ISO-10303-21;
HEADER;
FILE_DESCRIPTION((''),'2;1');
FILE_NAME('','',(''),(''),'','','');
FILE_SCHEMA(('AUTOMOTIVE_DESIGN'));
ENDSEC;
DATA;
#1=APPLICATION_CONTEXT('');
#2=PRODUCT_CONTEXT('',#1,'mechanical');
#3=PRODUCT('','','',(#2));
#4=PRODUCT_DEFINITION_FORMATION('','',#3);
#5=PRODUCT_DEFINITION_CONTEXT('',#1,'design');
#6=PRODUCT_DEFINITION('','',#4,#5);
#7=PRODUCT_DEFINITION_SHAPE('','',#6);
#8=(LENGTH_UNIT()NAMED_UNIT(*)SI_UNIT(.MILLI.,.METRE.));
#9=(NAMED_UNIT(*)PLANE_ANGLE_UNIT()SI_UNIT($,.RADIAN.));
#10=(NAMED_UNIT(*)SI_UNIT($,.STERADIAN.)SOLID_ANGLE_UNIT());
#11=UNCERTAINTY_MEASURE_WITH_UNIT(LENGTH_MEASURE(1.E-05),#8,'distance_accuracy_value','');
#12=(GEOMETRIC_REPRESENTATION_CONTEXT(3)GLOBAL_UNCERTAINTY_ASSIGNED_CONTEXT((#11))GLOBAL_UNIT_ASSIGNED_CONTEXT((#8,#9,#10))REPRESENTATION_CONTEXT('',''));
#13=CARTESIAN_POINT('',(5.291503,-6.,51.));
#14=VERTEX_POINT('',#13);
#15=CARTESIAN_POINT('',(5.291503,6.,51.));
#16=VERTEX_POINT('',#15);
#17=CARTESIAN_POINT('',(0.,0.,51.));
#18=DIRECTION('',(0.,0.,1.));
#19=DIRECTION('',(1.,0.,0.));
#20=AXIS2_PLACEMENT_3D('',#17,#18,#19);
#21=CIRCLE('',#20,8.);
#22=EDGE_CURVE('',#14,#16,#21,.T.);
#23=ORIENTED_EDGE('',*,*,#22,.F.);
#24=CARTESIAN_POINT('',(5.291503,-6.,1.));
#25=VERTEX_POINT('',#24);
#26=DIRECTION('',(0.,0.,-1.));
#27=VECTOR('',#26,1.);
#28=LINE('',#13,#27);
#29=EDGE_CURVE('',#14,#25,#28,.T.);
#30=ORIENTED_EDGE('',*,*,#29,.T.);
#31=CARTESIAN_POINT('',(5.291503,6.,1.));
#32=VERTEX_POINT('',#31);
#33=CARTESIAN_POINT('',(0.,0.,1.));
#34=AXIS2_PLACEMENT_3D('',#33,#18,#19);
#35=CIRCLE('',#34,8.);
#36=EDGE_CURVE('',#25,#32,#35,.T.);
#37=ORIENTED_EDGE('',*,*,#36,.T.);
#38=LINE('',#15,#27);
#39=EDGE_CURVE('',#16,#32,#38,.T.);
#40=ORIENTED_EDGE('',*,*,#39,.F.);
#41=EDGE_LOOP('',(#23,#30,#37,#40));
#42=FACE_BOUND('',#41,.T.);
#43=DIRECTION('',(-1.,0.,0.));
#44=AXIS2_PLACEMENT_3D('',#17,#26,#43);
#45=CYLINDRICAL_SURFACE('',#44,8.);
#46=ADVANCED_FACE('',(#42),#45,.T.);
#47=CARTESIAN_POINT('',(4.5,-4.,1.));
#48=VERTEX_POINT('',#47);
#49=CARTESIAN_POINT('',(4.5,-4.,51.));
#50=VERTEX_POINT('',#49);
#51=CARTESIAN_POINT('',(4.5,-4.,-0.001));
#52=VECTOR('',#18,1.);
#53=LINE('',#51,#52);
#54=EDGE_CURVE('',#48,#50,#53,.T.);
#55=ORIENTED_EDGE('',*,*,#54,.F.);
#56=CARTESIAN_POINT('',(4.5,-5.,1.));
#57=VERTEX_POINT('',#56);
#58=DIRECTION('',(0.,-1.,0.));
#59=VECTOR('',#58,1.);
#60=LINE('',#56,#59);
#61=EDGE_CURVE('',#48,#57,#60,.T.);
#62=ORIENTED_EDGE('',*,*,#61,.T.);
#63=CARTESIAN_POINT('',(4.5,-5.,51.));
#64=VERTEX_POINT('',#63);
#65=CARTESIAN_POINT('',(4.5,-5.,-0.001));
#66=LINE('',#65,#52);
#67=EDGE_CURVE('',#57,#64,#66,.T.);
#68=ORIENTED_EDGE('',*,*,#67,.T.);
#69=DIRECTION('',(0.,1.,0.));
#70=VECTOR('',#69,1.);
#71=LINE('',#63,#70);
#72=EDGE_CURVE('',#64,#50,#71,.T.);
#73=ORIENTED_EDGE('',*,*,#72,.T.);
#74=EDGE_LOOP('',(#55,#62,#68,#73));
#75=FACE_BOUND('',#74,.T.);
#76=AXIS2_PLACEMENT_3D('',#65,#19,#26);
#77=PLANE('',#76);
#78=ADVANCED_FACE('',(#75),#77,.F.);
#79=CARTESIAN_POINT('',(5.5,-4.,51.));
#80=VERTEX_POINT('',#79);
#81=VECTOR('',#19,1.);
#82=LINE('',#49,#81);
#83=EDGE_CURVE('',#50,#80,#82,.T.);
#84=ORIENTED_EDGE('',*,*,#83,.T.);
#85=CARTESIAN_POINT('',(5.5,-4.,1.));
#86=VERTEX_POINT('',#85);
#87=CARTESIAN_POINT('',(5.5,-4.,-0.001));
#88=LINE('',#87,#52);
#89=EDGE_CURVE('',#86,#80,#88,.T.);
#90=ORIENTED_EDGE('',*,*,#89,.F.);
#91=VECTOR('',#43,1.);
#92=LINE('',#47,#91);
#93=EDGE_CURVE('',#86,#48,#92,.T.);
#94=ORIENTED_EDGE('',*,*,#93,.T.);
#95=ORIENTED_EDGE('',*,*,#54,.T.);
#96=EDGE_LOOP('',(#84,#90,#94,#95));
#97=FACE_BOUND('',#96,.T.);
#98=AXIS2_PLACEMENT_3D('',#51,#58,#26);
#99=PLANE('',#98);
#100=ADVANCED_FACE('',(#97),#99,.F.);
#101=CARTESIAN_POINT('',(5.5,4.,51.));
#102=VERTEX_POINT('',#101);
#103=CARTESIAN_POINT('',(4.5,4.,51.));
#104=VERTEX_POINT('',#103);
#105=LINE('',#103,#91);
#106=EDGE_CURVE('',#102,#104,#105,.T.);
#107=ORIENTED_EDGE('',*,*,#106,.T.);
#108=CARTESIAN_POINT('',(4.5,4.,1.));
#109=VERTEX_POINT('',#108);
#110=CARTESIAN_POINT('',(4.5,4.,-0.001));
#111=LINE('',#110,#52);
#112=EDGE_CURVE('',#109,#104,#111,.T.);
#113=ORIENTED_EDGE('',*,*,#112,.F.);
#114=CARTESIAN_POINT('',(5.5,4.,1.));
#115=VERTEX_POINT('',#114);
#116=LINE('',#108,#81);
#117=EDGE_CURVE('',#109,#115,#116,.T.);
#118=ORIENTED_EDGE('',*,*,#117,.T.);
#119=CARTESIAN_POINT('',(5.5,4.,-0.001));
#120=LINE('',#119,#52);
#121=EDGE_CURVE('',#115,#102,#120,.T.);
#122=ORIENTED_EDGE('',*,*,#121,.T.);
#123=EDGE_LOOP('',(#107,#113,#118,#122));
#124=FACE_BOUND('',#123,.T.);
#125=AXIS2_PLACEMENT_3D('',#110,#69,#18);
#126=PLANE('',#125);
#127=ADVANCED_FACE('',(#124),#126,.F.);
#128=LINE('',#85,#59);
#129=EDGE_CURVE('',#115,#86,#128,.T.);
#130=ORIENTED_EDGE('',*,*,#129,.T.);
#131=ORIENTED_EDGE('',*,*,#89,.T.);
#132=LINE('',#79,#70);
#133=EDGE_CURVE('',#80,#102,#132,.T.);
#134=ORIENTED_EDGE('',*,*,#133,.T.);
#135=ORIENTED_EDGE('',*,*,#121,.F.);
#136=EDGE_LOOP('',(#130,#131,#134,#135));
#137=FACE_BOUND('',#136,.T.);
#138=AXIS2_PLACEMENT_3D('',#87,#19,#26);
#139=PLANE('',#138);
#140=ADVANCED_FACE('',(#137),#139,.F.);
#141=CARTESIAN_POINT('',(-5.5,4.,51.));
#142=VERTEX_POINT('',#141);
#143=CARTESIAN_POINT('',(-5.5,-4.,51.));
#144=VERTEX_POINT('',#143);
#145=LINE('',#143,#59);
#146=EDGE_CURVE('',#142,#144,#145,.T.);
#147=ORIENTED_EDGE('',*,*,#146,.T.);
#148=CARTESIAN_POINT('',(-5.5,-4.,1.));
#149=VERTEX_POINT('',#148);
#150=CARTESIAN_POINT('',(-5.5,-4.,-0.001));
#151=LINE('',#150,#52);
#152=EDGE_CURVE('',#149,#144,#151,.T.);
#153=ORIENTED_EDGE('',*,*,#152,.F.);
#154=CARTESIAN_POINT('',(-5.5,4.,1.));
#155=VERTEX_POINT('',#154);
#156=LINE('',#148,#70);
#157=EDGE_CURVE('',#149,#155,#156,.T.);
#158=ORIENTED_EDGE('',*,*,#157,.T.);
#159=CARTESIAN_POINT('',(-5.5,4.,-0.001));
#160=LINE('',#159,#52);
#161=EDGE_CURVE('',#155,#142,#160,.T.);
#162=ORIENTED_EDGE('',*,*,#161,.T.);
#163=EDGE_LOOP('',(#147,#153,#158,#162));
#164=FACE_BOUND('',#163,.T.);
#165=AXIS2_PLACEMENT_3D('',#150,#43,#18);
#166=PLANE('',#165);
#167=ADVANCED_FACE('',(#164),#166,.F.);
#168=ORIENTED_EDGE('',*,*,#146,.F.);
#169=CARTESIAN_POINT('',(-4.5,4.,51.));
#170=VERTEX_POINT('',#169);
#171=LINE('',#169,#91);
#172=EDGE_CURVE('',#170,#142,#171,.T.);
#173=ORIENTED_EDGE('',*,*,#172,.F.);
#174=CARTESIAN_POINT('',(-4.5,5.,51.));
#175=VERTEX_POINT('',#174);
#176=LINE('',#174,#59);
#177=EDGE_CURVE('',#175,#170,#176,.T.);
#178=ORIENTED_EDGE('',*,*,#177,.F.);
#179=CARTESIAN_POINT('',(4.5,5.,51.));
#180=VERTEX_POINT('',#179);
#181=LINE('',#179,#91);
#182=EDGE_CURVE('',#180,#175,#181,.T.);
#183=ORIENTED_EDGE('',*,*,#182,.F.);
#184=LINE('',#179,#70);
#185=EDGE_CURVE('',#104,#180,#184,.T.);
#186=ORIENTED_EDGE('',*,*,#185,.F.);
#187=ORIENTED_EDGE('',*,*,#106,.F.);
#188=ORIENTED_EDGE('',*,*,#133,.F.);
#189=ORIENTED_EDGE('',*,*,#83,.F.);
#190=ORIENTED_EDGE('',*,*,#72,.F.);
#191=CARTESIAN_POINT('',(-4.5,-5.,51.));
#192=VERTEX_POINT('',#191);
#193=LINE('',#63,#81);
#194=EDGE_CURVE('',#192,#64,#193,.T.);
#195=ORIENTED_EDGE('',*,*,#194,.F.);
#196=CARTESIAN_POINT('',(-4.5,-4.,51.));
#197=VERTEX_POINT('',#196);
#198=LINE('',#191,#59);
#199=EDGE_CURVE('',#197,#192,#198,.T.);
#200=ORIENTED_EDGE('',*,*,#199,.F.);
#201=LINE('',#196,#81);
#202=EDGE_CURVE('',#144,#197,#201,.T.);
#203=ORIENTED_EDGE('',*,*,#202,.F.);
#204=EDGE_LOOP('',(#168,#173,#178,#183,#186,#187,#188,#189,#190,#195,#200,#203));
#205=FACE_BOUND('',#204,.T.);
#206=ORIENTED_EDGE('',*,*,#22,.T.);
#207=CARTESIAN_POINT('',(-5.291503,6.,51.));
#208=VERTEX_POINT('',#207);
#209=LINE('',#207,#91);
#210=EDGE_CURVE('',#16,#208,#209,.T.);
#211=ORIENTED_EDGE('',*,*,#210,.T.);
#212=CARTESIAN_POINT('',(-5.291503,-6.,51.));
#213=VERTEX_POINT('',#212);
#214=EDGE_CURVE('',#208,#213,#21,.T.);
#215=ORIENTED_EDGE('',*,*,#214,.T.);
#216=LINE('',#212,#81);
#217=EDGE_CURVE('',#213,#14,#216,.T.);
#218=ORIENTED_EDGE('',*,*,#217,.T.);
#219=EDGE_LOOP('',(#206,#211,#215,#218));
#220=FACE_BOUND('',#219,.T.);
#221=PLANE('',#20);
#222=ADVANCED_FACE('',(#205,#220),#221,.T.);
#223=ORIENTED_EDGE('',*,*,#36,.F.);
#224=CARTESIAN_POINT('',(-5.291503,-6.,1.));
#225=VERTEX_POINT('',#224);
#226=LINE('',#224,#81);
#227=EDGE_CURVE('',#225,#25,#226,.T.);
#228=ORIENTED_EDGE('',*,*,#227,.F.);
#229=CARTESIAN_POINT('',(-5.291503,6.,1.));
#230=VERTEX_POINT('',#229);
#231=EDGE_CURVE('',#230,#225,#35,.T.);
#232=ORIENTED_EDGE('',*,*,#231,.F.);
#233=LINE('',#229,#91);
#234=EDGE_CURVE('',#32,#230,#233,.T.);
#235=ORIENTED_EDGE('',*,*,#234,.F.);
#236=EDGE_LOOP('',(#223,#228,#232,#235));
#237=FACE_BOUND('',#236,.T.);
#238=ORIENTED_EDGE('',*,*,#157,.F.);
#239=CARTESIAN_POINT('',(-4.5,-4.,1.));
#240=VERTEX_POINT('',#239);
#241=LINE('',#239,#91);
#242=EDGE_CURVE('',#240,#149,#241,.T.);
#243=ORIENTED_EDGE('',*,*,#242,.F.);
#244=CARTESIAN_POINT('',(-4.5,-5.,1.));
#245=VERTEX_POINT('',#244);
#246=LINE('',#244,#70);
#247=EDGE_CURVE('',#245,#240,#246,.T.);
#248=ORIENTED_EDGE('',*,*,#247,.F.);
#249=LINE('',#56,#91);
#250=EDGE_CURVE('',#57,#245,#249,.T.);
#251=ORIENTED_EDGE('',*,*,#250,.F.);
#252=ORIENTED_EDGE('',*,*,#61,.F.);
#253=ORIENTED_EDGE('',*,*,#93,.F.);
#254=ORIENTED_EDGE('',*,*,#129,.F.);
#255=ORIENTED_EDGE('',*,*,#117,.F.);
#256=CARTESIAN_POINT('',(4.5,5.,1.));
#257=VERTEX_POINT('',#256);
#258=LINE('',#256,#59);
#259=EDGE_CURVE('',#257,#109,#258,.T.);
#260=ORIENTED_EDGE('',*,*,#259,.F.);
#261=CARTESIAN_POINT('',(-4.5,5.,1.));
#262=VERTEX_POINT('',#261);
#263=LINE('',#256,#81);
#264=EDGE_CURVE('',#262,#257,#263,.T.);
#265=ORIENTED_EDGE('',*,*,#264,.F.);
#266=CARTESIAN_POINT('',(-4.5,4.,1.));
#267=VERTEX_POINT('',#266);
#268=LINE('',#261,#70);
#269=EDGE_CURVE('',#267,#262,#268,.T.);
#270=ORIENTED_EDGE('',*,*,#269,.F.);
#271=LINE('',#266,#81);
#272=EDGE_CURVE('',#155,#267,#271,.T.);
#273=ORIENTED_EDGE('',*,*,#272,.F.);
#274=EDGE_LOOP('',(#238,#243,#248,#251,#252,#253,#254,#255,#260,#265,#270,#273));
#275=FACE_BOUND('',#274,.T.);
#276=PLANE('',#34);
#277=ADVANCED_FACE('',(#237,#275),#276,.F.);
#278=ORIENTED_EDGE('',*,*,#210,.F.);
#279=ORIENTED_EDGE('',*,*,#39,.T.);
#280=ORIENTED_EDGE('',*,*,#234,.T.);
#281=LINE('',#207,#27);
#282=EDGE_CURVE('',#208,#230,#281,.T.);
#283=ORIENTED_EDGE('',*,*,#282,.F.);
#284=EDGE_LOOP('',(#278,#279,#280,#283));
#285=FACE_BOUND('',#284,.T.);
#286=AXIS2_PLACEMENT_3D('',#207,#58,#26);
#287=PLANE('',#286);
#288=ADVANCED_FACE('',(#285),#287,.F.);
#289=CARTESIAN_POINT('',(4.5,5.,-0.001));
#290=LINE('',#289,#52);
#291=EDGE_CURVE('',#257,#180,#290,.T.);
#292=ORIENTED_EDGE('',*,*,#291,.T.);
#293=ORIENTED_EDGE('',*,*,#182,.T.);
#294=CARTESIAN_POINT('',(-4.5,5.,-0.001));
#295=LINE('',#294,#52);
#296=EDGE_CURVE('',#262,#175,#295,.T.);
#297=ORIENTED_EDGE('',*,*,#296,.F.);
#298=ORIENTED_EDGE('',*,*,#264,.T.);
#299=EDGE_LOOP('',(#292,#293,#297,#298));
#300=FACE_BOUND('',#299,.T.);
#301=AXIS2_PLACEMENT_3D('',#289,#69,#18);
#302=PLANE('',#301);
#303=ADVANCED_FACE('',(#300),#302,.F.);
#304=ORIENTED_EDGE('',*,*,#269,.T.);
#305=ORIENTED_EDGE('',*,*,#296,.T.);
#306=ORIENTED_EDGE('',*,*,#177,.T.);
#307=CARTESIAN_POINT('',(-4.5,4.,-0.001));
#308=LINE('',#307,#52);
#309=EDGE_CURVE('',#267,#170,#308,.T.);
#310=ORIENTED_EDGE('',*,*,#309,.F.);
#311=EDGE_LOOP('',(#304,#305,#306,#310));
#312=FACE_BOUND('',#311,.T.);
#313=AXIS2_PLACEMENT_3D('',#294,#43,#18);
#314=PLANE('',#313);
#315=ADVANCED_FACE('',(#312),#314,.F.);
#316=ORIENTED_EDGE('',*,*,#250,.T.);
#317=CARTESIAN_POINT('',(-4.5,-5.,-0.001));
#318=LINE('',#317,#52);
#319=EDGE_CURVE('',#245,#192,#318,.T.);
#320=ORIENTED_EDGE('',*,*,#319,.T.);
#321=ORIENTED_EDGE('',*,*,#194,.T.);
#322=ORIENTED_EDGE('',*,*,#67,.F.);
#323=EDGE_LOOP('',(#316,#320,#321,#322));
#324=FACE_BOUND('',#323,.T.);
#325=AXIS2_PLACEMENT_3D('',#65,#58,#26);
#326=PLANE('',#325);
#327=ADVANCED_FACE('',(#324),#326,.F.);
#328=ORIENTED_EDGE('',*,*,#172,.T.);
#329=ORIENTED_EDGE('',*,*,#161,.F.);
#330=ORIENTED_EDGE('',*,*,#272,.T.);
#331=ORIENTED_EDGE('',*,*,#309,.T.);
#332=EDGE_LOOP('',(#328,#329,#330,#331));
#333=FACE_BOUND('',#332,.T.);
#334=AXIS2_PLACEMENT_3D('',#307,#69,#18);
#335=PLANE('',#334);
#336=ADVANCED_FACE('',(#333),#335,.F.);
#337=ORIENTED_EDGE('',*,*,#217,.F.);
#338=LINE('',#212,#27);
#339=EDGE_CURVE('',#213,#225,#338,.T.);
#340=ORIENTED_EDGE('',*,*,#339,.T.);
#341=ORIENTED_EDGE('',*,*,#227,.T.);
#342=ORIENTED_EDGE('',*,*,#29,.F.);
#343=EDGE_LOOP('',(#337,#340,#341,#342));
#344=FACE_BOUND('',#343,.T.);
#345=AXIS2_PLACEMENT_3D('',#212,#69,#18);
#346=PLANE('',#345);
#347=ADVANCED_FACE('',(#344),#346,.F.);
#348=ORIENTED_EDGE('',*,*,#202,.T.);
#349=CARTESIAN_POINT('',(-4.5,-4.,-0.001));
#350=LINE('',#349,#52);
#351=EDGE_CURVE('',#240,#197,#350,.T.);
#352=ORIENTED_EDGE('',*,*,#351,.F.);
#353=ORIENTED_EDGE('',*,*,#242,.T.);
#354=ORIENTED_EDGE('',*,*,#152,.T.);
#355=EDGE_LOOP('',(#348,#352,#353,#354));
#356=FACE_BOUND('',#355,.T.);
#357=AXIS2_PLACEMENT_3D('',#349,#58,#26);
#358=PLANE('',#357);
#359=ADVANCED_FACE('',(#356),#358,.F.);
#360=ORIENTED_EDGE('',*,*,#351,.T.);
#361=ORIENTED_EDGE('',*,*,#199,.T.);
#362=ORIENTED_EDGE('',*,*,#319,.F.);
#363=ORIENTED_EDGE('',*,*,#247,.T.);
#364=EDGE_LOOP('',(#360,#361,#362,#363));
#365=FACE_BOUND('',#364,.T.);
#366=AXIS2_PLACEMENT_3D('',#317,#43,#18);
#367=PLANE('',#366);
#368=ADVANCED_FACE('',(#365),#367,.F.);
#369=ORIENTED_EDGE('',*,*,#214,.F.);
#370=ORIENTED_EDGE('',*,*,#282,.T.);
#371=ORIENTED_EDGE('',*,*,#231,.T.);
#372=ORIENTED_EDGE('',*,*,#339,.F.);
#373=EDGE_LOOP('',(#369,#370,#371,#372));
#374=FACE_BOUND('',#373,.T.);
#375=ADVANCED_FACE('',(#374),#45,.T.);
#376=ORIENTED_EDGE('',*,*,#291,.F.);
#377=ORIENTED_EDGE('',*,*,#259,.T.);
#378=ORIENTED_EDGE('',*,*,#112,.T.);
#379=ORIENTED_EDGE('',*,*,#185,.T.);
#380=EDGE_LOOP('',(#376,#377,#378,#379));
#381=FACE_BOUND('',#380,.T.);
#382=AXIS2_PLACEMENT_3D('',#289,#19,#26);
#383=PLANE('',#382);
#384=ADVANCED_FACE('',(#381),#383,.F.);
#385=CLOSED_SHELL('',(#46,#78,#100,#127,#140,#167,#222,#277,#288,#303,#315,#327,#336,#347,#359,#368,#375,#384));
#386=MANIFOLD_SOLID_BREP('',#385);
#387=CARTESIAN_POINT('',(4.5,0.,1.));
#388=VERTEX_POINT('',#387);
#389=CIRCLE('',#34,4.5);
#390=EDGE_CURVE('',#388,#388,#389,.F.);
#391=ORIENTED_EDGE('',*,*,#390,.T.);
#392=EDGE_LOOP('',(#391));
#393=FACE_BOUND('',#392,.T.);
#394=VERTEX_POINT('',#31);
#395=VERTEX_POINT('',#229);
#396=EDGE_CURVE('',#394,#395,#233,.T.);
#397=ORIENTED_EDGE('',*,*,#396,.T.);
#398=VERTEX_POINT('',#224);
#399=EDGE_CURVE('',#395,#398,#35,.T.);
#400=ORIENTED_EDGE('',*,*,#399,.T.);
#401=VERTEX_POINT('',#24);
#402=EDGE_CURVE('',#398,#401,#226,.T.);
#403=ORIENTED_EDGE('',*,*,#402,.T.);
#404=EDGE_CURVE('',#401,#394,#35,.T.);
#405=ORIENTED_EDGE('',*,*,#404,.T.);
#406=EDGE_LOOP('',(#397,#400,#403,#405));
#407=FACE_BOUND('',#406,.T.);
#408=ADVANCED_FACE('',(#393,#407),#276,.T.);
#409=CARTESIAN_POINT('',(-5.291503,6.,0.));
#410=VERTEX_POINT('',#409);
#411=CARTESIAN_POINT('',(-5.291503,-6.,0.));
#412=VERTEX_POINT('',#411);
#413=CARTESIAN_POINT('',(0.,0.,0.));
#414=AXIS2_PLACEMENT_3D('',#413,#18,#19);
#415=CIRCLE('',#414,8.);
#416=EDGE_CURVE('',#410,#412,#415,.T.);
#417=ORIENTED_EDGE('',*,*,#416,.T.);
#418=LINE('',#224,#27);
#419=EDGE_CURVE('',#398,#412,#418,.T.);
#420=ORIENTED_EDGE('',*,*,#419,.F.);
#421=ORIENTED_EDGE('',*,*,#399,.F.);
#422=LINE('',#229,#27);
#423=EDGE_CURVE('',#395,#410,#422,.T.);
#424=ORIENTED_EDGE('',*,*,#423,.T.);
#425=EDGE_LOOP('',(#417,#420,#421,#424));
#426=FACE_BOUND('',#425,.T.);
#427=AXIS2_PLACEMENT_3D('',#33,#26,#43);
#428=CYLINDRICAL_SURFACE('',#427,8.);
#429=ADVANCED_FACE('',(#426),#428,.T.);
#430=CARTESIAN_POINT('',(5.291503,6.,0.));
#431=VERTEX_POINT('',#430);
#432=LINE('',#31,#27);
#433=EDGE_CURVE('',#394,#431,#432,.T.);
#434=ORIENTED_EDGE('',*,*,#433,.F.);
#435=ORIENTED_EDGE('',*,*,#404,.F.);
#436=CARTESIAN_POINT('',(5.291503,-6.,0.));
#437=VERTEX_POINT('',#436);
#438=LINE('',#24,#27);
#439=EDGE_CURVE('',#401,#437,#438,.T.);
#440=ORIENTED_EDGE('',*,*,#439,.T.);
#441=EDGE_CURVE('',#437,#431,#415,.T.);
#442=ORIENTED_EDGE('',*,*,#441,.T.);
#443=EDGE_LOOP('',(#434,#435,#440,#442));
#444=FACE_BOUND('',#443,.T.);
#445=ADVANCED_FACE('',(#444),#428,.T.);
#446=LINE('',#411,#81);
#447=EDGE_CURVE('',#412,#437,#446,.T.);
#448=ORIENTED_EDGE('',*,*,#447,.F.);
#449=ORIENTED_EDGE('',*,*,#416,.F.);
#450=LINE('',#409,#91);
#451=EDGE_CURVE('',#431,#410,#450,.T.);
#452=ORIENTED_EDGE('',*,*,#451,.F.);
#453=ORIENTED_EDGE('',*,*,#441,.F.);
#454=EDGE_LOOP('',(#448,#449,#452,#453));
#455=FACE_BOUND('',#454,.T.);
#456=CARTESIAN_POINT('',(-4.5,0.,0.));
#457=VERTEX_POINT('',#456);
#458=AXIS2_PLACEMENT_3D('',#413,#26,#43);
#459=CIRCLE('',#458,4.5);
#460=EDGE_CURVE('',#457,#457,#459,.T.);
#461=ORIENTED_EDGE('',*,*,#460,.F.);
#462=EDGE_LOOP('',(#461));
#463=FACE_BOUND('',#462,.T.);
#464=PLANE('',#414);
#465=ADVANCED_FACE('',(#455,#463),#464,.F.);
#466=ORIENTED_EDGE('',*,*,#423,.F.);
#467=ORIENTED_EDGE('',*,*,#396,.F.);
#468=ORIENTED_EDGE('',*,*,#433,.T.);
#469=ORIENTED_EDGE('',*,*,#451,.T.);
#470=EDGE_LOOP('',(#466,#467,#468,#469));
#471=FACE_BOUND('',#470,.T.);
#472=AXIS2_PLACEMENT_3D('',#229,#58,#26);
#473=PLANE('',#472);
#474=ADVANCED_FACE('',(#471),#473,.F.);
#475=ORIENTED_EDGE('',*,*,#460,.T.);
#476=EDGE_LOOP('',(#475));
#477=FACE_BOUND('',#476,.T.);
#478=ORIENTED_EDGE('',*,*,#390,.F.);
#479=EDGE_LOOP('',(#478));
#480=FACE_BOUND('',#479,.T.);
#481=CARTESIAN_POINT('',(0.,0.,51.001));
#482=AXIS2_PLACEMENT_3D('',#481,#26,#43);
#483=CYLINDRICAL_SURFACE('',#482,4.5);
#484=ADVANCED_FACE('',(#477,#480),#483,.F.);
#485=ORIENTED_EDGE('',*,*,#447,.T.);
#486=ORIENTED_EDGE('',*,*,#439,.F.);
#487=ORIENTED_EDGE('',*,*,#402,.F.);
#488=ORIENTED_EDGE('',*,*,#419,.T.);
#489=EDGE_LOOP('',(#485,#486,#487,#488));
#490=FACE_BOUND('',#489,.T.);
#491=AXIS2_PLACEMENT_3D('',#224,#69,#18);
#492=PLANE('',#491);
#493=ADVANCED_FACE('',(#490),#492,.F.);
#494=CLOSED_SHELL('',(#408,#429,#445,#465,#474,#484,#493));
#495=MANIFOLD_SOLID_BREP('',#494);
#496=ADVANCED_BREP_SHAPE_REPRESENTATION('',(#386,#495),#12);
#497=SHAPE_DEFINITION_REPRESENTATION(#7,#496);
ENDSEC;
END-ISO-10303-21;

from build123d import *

# Parameters (mm, degrees)
BOSS_EXTRUDE1_DEPTH = 1
BOSS_EXTRUDE2_DEPTH = 50
CUT_EXTRUDE1_DEPTH  = 50
SKETCH5_R           = 4.5
CUT_EXTRUDE2_DEPTH  = 1


with BuildPart() as part:
    # Sketch2 → Boss-Extrude1 (new body)
    with BuildSketch(Plane.XY):
        with BuildLine():
            Line((-5.291502622, 6), (5.291502622, 6))
            ThreePointArc((5.291502622, 6), (8, 0), (5.291502622, -6))
            Line((5.291502622, -6), (-5.291502622, -6))
            ThreePointArc((-5.291502622, -6), (-8, 0), (-5.291502622, 6))
        make_face()
    extrude(amount=BOSS_EXTRUDE1_DEPTH)

    # Sketch5 → Cut-Extrude2 (cut)
    with BuildSketch(Plane(origin=(0, 0, 0), x_dir=(-1, 0, 0), z_dir=(0, 0, -1))):
        Circle(SKETCH5_R)
    extrude(amount=-CUT_EXTRUDE2_DEPTH, mode=Mode.SUBTRACT)


with BuildPart() as body_2:
    # Sketch3 → Boss-Extrude2 (new body)
    with BuildSketch(Plane.XY.offset(1)):
        with BuildLine():
            Line((-5.291502622, 6), (5.291502622, 6))
            ThreePointArc((5.291502622, 6), (8, 0), (5.291502622, -6))
            Line((5.291502622, -6), (-5.291502622, -6))
            ThreePointArc((-5.291502622, -6), (-8, 0), (-5.291502622, 6))
        make_face()
    extrude(amount=BOSS_EXTRUDE2_DEPTH)

    # Sketch4 → Cut-Extrude1 (cut)
    with BuildSketch(Plane.XY.offset(51)):
        Polygon((-4.5, 5), (-4.5, 4), (-5.5, 4), (-5.5, -4), (-4.5, -4), (-4.5, -5), (4.5, -5), (4.5, -4), (5.5, -4), (5.5, 4), (4.5, 4), (4.5, 5), align=None)
    extrude(amount=-CUT_EXTRUDE1_DEPTH, mode=Mode.SUBTRACT)


solid = Compound([part.part, body_2.part])
